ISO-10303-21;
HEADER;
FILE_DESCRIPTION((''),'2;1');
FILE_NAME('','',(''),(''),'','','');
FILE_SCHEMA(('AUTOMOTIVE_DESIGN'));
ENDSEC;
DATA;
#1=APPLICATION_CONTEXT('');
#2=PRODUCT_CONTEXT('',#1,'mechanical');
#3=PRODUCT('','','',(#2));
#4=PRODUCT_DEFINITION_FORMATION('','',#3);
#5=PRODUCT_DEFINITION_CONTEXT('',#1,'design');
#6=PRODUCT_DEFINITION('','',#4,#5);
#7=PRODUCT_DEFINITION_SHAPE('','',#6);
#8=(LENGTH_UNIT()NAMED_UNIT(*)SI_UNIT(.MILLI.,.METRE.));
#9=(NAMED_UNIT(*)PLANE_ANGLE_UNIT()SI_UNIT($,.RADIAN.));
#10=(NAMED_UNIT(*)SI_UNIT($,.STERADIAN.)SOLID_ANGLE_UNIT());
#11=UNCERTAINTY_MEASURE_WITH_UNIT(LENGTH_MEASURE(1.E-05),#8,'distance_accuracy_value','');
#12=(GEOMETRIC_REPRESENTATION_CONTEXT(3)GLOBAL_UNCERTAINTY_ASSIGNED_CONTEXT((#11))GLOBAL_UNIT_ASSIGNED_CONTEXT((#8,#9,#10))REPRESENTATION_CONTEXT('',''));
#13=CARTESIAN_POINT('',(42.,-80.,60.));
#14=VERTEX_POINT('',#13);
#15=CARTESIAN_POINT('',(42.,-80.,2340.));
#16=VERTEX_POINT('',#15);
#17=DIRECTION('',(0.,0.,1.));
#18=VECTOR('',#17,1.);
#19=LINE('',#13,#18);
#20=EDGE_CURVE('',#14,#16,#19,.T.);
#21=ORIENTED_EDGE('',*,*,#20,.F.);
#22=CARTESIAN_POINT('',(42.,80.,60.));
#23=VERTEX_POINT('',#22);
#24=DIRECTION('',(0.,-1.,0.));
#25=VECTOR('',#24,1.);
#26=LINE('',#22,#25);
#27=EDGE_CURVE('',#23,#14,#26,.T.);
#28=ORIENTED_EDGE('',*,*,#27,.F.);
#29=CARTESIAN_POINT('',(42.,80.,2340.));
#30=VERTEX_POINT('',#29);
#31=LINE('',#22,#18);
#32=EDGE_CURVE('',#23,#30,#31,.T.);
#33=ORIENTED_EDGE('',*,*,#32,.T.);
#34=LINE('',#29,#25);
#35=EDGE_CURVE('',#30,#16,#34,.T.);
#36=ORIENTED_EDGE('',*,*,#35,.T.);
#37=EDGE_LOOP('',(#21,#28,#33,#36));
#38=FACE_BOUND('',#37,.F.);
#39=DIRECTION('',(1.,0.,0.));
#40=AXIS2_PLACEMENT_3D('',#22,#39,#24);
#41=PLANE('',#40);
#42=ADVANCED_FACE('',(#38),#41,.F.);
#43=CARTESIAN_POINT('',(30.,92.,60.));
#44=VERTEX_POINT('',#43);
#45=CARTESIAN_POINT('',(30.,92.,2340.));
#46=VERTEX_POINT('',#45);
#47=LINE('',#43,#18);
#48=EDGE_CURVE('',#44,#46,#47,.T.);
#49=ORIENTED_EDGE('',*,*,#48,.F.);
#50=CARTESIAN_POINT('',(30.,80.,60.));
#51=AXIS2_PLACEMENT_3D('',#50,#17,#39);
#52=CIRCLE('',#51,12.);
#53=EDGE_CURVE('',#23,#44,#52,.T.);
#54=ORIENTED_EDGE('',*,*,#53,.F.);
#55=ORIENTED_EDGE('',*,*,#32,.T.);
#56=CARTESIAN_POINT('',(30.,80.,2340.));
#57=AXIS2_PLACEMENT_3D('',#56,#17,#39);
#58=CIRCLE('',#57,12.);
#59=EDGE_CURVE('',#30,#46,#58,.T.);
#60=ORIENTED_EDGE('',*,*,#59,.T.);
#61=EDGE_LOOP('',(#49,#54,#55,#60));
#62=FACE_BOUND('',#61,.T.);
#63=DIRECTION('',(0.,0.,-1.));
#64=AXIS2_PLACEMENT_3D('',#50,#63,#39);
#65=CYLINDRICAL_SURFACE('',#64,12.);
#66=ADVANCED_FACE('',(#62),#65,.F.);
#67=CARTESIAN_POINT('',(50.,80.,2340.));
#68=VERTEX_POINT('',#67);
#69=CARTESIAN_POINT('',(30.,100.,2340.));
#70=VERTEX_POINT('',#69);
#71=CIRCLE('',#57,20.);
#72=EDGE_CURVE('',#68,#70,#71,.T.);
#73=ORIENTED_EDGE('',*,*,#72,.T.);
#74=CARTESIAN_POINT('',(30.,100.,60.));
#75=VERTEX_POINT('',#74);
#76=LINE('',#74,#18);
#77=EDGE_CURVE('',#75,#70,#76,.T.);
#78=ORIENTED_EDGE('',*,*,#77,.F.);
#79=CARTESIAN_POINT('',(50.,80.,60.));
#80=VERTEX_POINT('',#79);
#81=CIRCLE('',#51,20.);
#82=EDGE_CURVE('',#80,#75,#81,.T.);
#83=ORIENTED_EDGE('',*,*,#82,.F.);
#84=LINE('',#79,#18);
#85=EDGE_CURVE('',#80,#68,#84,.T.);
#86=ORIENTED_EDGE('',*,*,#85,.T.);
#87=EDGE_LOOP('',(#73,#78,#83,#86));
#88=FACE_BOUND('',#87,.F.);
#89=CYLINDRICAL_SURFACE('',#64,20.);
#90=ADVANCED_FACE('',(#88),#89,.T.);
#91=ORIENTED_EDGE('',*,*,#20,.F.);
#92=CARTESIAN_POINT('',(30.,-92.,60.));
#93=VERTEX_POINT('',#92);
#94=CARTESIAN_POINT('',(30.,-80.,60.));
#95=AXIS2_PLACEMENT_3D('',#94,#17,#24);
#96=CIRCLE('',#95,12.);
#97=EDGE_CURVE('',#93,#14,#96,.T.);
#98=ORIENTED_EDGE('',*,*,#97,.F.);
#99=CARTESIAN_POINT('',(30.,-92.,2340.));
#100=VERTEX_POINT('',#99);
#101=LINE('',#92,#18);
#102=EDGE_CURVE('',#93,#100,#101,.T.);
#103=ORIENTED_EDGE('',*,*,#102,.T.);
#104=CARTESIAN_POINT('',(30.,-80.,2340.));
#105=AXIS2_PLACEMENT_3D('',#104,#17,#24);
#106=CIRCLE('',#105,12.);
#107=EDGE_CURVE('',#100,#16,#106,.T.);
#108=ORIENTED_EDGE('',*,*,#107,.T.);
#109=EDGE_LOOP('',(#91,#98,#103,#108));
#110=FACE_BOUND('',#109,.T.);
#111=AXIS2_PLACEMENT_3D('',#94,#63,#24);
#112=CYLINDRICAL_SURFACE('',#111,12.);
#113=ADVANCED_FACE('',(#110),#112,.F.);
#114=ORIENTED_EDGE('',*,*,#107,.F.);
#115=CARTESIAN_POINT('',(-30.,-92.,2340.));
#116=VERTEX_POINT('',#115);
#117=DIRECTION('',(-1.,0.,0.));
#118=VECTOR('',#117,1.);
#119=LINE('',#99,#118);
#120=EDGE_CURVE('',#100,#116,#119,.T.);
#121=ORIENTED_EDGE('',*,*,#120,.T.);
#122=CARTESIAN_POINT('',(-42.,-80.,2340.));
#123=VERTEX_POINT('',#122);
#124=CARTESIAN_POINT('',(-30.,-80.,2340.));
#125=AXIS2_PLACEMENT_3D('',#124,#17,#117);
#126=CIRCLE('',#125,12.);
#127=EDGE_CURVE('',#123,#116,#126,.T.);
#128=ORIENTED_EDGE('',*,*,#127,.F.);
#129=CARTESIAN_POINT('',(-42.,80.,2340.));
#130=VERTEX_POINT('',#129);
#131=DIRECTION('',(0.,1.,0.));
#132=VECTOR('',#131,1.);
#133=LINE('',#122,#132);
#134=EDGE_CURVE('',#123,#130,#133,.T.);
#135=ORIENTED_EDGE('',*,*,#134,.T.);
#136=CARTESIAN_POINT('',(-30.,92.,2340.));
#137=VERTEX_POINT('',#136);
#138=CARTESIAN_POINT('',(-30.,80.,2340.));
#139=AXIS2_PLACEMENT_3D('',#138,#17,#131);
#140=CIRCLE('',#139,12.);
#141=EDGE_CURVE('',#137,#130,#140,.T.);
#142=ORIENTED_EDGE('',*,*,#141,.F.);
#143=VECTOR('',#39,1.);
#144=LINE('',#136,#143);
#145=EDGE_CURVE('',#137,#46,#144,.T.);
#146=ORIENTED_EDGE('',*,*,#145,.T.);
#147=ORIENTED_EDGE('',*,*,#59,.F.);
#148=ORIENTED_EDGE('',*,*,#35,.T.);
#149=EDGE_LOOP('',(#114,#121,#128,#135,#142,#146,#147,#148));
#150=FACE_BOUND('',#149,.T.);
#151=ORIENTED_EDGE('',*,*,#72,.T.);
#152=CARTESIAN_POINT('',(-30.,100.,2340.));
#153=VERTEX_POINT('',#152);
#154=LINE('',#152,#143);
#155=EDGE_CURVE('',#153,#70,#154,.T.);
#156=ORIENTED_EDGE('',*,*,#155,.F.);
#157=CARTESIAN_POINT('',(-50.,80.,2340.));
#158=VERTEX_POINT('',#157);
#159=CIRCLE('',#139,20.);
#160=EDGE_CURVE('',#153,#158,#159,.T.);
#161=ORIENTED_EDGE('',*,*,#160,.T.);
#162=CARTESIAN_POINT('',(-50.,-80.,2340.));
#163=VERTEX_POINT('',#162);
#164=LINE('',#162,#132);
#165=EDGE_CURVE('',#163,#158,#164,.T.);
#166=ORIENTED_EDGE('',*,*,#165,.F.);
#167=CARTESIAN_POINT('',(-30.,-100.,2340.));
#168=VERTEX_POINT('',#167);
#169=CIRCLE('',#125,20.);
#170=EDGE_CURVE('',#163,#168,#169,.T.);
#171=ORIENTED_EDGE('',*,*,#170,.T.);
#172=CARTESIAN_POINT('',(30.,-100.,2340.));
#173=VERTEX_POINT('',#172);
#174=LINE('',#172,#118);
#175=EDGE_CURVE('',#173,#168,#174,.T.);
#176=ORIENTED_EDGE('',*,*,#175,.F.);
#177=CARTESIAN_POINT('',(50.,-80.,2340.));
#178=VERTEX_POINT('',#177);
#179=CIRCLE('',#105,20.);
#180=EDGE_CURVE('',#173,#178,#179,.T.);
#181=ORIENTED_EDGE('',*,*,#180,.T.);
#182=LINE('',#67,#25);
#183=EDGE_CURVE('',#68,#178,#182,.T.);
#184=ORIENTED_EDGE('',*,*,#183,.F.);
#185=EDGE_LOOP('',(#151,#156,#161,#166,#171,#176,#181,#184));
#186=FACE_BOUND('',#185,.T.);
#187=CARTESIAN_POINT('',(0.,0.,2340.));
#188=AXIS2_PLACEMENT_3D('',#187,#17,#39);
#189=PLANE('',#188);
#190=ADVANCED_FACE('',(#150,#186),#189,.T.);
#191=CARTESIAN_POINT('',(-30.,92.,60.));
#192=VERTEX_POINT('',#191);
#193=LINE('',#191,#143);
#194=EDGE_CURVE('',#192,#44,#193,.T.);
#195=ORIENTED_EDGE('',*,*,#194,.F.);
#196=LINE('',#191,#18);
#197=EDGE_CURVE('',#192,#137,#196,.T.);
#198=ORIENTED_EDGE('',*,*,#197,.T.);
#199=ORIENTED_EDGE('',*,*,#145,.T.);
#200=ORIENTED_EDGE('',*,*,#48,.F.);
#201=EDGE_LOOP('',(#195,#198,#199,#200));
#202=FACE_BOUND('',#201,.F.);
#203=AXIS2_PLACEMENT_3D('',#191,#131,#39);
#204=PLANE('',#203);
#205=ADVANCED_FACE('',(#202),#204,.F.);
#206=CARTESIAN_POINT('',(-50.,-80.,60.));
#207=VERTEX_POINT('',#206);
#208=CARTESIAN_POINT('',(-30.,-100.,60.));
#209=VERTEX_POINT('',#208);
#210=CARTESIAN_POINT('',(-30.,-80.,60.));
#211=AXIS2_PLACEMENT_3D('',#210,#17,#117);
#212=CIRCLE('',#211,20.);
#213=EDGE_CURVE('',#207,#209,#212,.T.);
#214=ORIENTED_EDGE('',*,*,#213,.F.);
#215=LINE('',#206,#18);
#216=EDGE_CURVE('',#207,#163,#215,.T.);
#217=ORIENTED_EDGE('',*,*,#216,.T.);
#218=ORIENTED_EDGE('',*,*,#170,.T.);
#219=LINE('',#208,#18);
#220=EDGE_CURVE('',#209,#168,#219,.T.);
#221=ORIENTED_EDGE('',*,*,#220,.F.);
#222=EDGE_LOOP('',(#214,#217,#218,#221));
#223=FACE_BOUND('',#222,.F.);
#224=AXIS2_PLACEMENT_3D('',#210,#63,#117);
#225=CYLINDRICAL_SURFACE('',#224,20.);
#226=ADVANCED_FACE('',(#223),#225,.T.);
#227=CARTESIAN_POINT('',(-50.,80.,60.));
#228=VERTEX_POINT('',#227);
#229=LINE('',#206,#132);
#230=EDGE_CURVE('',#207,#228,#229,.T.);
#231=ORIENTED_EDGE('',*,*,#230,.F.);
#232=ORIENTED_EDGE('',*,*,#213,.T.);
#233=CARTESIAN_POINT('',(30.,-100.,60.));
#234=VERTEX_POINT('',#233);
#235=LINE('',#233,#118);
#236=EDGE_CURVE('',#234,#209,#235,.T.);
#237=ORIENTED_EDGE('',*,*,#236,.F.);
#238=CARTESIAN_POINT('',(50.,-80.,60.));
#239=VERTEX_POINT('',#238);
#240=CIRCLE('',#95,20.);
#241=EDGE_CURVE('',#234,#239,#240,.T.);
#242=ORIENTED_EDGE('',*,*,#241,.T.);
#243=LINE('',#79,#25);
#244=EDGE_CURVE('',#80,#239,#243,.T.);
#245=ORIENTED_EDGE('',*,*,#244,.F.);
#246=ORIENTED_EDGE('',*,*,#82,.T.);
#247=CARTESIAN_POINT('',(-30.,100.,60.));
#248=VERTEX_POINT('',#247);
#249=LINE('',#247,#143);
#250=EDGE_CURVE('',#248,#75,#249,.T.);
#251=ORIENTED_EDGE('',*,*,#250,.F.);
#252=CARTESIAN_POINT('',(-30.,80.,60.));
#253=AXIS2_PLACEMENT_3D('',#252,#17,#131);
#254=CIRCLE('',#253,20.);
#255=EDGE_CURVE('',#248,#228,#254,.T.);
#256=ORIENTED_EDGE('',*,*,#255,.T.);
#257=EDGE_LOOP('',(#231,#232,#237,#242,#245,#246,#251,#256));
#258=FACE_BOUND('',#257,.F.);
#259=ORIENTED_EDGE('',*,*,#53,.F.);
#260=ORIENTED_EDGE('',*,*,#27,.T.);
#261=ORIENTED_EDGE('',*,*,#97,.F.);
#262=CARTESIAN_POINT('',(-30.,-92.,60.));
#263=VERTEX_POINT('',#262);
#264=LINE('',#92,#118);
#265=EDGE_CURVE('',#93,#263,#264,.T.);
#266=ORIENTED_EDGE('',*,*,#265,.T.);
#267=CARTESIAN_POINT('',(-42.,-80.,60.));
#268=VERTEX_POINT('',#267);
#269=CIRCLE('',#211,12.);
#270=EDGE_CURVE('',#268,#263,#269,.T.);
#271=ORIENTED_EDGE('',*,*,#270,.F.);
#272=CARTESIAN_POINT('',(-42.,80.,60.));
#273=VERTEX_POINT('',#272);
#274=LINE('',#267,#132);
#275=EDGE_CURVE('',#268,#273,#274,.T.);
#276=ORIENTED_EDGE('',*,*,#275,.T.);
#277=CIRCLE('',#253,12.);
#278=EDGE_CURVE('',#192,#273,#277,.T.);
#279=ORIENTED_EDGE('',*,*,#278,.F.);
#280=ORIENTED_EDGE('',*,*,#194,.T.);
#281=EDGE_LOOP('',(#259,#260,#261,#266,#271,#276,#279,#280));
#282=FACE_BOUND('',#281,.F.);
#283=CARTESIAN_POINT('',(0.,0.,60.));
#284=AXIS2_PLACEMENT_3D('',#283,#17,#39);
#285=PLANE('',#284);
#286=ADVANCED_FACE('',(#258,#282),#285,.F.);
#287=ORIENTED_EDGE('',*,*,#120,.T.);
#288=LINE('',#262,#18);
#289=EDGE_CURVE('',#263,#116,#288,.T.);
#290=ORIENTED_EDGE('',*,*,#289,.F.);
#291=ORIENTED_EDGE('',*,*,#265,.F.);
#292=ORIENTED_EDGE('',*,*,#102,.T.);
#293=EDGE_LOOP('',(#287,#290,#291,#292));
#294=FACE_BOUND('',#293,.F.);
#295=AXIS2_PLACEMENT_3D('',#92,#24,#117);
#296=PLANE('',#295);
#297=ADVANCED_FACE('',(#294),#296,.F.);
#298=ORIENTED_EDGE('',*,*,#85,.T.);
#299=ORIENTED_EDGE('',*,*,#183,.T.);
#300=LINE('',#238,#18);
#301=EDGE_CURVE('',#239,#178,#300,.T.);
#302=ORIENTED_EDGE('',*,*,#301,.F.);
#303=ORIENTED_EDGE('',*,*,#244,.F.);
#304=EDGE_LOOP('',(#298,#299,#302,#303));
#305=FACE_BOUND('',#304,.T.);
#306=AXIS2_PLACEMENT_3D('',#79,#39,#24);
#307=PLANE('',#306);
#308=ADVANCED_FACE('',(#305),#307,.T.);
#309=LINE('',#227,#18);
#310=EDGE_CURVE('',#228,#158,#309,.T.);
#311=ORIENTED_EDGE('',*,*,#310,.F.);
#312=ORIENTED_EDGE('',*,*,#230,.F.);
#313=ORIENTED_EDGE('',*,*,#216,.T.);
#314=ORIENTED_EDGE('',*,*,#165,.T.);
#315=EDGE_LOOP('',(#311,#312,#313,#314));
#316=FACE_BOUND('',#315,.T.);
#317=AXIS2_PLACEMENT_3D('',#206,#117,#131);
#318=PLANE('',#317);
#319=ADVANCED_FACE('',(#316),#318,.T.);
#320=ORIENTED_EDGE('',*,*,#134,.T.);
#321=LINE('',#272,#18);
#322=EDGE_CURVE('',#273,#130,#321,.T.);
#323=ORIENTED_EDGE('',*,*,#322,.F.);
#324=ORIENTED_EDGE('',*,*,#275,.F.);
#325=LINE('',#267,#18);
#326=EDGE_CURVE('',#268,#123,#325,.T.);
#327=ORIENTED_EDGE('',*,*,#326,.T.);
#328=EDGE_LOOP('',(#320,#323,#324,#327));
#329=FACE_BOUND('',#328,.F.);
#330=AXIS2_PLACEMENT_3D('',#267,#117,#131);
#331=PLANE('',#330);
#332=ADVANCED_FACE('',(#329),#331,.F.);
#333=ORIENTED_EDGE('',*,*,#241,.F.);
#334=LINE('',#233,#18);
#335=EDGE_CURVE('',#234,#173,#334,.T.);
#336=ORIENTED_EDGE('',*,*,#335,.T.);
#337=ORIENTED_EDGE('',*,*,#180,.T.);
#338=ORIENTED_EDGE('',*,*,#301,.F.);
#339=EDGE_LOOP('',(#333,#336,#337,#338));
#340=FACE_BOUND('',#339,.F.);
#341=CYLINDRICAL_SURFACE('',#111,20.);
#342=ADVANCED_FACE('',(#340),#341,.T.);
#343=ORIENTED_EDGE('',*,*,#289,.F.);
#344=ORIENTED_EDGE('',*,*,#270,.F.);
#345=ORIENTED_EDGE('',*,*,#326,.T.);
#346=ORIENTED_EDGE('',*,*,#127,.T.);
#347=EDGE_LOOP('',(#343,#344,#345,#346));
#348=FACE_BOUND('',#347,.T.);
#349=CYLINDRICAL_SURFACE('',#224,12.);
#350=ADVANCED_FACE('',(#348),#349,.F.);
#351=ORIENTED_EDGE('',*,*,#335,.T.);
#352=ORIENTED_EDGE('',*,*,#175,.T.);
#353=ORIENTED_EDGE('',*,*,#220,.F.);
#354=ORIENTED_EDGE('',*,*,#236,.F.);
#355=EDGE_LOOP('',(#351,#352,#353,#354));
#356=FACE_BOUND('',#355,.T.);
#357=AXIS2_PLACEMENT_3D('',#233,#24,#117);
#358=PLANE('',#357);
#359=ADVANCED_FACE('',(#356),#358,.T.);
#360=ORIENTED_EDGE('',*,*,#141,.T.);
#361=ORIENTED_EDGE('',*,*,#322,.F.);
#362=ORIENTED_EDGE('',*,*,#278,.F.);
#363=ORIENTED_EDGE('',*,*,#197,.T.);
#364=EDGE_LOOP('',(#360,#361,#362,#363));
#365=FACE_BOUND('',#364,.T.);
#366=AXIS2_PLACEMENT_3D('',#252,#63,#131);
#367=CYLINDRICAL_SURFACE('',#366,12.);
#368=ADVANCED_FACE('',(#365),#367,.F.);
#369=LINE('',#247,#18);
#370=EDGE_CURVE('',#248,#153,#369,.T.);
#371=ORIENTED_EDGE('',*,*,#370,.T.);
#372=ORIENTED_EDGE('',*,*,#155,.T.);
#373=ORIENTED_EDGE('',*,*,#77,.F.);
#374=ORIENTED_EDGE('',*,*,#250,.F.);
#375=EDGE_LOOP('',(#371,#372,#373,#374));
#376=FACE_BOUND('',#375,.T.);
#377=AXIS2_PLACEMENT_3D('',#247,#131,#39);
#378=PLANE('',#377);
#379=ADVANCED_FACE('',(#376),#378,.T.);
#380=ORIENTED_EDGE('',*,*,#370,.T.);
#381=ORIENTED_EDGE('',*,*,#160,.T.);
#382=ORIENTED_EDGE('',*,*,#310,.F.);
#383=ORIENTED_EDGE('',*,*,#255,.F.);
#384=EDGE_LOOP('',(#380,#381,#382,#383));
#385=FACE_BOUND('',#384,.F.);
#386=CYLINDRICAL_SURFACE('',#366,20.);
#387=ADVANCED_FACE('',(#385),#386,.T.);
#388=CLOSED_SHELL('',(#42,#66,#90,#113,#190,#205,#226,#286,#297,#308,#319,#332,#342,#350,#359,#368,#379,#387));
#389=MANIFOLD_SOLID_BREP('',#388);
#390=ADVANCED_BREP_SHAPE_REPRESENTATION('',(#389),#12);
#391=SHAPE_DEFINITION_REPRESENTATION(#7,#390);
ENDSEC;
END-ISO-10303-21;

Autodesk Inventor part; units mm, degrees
ref_plane "Start Plane" through (0, 0, 60) normal (0, 0, 1) x (1, 0, 0)
ref_plane "End Plane" through (0, 0, 2340) normal (0, 0, 1) x (1, 0, 0)
sketch "Sketch" plane through (0, 0, 0) normal (0, 0, 1) x (1, 0, 0)
  line L0 (-50, -80) -> (-50, 80)
  line L1 (-30, 100) -> (30, 100)
  line L2 (50, 80) -> (50, -80)
  line L3 (30, -100) -> (-30, -100)
  arc A0 (-50, -80) -> (-30, -100) centre (-30, -80) ccw
  arc A1 (50, 80) -> (30, 100) centre (30, 80) ccw
  arc A2 (-30, 100) -> (-50, 80) centre (-30, 80) ccw
  arc A3 (30, -100) -> (50, -80) centre (30, -80) ccw
  arc A4 (-30, 92) -> (-42, 80) centre (-30, 80) ccw
  line L4 (-30, 92) -> (30, 92)
  arc A5 (42, 80) -> (30, 92) centre (30, 80) ccw
  line L5 (42, 80) -> (42, -80)
  arc A6 (30, -92) -> (42, -80) centre (30, -80) ccw
  line L6 (30, -92) -> (-30, -92)
  arc A7 (-42, -80) -> (-30, -92) centre (-30, -80) ccw
  line L7 (-42, -80) -> (-42, 80)
  line L8 (0, 145.799) -> (0, -145.799) construction
  line L9 (-75.799, 0) -> (75.799, 0) construction
  dimension "d7" = 20
  dimension "d9" = 100
  dimension "d11" = 200
  dimension "d12" = 8
  dimension "d15" = 50
  dimension "d16" = 100
extrude "Body" add sketch "Sketch" along normal up to surface (2280 mm away) from surface at 60
sketch "Sketch3" plane through (0, 0, 0) normal (0, 0, 1) x (1, 0, 0)
  line L0 (0, 0) -> (10, 0)
ref_plane "Work Plane3" through (0, 0, 0) normal (0, -1, 0) x (1, 0, 0)
ref_plane "Work Plane4" through (150, -100, 2340) normal (0, 0, 1) x (1, 0, 0)
split "Split1" plane through (150, -100, 2340) removes the side toward (0, 0, 1)
ref_plane "Work Plane5" through (150, 0, 60) normal (0, 0, -1) x (-1, 0, 0)
split "Split2" plane through (150, 0, 60) removes the side toward (0, 0, -1)
sketch "Sketch4" plane through (0, 0, 0) normal (0, -1, 0) x (1, 0, 0)
  line L0 (-2, 60) -> (12, 60) projected
  line L1 (-2, 2340) -> (12, 2340) projected
  dimension "d18" = 2280
equation "\"d7\" = G_IR"
equation "\"d9\" = G_W"
equation "\"d11\" = G_H"
equation "\"d12\" = G_T"
equation "\"d15\" = 0.5 * d9"
equation "\"d16\" = 0.5 * d11"
equation "\"d3\" = G_L"
equation "\"G_W\" = 100"
equation "\"G_H\" = 200"
equation "\"G_T\" = 8"
equation "\"G_IR\" = 20"
equation "\"G_L\" = d18"
properties part number "ISO 10799-2 - 200x100x8 - 2280" material "Steel, Mild"
